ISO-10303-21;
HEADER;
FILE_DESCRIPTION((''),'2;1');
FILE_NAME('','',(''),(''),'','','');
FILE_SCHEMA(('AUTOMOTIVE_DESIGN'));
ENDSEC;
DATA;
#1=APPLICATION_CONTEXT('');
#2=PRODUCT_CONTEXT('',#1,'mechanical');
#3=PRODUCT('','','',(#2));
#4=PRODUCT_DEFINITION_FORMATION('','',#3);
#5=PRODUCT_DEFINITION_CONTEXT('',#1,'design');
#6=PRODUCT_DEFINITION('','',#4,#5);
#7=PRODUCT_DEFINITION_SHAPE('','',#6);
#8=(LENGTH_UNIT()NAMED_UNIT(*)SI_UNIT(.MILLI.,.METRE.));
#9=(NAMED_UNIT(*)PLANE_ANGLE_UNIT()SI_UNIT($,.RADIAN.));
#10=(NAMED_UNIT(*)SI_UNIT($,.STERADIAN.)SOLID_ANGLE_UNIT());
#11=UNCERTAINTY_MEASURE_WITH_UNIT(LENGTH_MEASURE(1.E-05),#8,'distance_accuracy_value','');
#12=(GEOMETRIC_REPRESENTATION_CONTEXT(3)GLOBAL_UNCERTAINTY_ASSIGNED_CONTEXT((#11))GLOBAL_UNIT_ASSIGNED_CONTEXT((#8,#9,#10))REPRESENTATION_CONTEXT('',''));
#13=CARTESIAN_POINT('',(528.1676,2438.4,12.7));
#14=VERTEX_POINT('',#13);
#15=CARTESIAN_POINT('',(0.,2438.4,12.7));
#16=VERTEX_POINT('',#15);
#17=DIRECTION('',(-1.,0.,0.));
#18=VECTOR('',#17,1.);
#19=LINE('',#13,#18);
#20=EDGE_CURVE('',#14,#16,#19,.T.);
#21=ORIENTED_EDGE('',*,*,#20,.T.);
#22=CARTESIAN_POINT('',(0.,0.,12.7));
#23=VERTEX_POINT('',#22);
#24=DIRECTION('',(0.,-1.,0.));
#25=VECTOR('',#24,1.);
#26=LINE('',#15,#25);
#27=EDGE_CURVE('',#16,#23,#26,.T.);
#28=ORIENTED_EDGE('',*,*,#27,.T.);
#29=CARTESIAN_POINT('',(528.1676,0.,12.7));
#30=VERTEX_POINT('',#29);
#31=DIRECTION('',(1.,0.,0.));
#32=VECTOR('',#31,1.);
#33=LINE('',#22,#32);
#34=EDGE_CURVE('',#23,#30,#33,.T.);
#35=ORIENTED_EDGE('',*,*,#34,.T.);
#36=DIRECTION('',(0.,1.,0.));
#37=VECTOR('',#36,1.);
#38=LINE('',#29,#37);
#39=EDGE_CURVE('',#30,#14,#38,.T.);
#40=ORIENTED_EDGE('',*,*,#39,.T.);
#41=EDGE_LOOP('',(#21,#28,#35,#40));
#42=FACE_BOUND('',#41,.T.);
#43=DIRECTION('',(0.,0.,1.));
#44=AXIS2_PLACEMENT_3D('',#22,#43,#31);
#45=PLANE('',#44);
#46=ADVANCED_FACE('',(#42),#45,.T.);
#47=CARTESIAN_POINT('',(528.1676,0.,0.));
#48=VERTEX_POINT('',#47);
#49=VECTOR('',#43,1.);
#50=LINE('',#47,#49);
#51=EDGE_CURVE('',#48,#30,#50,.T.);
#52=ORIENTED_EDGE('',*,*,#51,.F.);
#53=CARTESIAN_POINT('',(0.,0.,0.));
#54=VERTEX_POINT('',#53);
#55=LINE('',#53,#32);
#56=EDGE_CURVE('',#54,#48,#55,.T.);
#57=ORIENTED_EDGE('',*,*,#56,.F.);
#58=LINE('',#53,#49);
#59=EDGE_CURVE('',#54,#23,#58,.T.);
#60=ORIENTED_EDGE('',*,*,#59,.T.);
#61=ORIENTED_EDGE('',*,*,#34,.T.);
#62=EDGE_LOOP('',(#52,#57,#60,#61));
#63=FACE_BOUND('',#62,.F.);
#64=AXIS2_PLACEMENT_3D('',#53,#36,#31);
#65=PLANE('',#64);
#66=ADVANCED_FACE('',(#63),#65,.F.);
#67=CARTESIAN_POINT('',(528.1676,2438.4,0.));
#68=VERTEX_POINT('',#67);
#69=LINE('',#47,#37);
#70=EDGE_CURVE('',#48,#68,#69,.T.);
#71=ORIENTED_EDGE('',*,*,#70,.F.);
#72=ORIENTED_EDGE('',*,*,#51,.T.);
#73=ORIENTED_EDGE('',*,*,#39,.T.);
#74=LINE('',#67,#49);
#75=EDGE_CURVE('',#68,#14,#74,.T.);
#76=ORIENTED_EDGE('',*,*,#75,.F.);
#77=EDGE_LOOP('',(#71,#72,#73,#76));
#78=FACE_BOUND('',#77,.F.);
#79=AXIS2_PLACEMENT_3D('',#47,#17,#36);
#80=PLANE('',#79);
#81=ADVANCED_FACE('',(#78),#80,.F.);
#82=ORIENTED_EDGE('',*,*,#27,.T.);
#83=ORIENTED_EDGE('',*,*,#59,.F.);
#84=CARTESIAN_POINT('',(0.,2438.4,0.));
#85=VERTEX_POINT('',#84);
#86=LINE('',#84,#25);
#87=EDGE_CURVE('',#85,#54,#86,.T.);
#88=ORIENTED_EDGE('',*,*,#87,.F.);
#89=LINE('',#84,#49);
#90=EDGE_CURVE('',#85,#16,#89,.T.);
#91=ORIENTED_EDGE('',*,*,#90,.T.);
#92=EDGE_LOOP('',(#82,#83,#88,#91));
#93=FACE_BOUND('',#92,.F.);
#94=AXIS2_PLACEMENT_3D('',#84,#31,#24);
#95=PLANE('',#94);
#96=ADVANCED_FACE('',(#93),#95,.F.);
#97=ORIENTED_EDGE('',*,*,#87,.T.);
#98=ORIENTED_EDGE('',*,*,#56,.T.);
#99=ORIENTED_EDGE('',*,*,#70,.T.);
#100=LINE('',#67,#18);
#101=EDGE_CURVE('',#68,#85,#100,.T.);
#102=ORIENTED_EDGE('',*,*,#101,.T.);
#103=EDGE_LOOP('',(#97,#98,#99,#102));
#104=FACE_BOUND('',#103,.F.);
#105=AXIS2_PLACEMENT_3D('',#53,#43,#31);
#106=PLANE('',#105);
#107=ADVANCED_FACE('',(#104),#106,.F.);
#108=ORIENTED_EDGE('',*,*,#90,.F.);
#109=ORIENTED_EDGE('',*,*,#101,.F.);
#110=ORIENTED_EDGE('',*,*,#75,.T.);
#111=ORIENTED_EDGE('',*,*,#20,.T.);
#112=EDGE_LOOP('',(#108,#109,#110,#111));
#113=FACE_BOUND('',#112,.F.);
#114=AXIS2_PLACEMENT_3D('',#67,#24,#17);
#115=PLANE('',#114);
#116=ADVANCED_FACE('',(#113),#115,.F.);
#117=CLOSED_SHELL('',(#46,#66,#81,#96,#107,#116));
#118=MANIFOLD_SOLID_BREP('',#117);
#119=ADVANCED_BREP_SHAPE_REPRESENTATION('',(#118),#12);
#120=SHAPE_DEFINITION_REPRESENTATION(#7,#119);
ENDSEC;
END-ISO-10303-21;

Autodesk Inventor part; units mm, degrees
ref_plane "YZ Plane" through (0, 0, 0) normal (1, 0, 0) x (0, 1, 0)
ref_plane "XZ Plane" through (0, 0, 0) normal (0, 1, 0) x (-1, 0, 0)
ref_plane "XY Plane" through (0, 0, 0) normal (0, 0, 1) x (1, 0, 0)
sketch "Sketch1" plane through (0, 0, 0) normal (0, 0, 1) x (1, 0, 0)
  line L0 (0, 0) -> (528.1676, 0)
  line L1 (528.1676, 0) -> (528.1676, 2438.4)
  line L2 (528.1676, 2438.4) -> (0, 2438.4)
  line L3 (0, 2438.4) -> (0, 0)
  dimension "d2" = 2438.4
  dimension "d3" = 528.1676
extrude "Extrusion1" add sketch "Sketch1" along normal blind 12.7
properties part number "OSB_For_Walls_With_Dimensions_20.604_x_96_Inches" material "Wood (Birch)"
